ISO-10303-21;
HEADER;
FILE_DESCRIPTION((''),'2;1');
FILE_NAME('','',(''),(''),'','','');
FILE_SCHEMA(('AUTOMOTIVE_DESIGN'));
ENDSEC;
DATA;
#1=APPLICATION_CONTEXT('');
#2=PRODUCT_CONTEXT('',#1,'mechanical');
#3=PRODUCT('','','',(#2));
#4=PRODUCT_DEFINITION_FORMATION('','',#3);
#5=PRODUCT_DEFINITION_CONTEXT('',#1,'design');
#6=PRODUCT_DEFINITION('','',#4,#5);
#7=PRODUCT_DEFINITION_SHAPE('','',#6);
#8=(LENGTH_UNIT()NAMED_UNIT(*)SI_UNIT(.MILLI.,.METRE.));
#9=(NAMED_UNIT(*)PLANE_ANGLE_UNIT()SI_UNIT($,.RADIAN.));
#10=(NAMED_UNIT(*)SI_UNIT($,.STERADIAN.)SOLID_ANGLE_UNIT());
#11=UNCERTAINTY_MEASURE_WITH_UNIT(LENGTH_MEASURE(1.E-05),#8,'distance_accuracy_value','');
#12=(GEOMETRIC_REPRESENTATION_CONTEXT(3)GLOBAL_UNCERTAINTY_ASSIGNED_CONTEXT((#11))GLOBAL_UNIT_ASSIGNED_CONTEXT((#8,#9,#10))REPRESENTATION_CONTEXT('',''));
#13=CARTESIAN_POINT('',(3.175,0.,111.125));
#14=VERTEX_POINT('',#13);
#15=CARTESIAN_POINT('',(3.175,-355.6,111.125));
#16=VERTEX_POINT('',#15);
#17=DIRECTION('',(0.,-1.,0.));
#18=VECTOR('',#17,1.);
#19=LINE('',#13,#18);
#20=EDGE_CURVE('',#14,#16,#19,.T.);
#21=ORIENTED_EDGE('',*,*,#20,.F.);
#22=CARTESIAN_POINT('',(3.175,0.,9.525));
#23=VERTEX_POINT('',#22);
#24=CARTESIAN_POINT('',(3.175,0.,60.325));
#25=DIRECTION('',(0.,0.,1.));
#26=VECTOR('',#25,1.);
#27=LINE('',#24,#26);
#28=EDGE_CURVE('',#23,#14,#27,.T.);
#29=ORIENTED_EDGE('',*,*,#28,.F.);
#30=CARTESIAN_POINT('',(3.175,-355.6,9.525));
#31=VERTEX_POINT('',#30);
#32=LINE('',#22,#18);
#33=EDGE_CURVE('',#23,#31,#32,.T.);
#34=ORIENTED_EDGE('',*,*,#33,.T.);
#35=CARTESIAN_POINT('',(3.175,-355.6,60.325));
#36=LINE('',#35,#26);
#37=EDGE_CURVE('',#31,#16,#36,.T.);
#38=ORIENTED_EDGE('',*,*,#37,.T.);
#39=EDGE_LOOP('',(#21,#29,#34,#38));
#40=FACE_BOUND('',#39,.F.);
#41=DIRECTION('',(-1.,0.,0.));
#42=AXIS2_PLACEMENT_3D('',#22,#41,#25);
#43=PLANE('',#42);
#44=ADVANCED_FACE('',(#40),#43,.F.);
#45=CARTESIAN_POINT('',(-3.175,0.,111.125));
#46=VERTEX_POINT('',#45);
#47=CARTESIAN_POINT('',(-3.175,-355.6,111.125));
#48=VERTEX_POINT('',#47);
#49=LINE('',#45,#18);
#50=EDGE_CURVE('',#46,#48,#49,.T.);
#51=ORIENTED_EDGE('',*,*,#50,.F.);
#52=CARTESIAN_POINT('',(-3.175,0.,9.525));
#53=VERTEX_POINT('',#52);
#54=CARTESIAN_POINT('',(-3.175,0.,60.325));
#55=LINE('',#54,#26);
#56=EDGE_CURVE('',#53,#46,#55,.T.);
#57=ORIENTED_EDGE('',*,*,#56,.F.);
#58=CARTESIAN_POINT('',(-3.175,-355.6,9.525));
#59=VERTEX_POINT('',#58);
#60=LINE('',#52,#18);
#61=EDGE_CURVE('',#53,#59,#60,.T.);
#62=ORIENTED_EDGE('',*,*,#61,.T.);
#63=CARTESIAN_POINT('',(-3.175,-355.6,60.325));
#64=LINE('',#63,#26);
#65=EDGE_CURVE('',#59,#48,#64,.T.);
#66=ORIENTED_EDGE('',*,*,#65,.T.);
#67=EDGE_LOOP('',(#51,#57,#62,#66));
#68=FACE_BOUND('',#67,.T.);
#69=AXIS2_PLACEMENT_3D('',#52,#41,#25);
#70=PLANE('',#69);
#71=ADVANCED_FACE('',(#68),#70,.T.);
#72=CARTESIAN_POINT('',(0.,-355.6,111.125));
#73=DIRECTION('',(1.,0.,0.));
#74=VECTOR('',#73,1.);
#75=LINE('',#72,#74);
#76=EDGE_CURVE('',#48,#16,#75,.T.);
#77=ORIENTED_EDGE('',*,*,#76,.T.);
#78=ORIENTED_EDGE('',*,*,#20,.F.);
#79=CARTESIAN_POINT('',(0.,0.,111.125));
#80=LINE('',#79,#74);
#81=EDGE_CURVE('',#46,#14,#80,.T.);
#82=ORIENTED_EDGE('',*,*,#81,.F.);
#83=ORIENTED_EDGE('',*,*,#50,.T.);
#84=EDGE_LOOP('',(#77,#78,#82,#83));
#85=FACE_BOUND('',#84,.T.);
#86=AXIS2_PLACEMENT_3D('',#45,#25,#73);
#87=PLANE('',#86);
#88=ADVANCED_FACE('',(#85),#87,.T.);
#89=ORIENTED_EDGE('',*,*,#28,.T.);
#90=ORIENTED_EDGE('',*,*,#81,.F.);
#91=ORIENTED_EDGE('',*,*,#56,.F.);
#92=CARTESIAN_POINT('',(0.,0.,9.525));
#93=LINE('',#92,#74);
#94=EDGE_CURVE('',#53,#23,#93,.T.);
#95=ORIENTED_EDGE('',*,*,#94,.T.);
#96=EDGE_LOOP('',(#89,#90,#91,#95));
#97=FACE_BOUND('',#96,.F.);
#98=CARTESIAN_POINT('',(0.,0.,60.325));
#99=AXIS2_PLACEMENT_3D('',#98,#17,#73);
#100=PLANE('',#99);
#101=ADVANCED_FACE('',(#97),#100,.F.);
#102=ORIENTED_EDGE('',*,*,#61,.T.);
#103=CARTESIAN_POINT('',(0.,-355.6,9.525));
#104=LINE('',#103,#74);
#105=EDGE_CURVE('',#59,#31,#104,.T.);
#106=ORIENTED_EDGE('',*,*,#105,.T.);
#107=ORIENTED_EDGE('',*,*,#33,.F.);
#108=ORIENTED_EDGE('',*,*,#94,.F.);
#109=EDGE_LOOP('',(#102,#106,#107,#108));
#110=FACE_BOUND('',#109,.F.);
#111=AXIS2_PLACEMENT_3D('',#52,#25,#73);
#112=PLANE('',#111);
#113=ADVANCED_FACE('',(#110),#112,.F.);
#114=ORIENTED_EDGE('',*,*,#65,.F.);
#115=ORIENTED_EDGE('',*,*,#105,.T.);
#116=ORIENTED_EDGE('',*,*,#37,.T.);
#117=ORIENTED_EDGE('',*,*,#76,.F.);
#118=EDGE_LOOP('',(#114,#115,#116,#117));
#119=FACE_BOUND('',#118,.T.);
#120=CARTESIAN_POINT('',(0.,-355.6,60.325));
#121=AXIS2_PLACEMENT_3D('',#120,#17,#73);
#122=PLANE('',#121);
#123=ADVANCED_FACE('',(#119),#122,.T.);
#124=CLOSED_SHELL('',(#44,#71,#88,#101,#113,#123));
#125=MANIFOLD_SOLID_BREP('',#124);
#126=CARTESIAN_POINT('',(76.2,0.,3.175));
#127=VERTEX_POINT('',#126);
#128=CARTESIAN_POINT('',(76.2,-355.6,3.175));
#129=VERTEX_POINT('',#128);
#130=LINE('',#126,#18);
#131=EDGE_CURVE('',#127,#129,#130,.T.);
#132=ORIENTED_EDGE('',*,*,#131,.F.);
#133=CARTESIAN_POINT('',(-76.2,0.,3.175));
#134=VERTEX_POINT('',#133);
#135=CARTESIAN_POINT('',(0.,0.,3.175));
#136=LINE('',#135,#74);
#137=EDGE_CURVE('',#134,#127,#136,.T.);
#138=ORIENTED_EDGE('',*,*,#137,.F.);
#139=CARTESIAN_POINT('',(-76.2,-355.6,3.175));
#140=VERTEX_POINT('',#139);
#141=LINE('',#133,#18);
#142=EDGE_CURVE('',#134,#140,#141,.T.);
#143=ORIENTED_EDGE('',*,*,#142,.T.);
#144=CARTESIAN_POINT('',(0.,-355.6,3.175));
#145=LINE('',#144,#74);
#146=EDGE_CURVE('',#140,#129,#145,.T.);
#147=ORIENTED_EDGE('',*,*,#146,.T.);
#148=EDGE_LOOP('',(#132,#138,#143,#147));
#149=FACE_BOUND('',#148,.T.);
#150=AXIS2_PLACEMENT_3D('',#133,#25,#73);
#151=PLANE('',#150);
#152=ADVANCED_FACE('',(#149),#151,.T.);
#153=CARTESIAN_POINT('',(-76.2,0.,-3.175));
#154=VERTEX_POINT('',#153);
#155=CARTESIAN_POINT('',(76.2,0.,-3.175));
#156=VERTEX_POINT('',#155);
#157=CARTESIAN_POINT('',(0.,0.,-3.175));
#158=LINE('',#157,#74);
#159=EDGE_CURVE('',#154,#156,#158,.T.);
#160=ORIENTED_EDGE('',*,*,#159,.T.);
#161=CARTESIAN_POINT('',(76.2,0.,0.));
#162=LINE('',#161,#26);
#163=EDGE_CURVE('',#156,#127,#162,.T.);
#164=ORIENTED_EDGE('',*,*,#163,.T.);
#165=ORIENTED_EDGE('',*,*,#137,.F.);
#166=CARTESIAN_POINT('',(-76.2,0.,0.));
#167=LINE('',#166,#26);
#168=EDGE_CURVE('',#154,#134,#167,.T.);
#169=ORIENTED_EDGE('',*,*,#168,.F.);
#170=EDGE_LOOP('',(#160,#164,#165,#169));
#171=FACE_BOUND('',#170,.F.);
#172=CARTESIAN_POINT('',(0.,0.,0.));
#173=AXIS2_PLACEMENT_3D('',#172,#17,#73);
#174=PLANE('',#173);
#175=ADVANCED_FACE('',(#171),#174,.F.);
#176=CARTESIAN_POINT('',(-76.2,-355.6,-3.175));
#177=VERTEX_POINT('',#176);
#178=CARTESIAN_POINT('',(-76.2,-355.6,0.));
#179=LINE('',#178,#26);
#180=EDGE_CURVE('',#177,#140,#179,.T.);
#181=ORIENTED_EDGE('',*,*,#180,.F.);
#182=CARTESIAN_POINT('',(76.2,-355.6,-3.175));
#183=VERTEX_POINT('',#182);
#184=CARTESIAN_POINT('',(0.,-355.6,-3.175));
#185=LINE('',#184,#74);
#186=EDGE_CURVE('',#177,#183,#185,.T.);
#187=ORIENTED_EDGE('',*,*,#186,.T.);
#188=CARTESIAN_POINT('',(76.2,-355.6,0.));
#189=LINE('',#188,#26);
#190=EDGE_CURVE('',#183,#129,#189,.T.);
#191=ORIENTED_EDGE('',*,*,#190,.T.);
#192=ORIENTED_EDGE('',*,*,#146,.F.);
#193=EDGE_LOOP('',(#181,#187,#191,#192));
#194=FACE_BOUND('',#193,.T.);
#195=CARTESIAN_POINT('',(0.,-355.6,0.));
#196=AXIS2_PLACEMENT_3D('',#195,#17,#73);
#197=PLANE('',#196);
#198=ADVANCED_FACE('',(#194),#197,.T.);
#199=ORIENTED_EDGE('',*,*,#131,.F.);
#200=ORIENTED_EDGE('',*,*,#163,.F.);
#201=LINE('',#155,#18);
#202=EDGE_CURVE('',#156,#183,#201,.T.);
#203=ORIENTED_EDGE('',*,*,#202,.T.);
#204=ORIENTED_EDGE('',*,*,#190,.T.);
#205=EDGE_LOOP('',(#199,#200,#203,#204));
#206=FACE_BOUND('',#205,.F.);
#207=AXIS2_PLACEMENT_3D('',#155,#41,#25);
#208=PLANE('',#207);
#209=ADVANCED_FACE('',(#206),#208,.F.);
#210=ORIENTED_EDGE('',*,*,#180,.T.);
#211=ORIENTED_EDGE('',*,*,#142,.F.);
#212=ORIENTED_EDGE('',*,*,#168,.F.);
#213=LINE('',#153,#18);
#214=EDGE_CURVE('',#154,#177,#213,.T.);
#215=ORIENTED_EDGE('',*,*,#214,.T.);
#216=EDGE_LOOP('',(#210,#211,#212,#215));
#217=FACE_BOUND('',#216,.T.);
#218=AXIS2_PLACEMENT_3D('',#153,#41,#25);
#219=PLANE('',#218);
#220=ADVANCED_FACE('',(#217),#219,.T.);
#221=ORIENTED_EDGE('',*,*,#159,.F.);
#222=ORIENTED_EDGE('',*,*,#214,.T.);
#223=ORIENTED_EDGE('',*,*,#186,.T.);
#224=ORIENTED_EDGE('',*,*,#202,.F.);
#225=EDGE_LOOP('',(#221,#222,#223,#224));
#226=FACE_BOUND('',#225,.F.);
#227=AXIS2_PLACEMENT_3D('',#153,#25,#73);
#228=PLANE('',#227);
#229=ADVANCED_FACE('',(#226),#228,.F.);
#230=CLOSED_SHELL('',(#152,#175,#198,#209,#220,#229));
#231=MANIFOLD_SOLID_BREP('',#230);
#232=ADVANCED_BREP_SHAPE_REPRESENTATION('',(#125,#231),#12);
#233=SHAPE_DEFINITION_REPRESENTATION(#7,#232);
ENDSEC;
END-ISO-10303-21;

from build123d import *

# Parameters (mm, degrees)
F0_W     = 152.4
F0_H     = 6.35
F1_DEPTH = 355.6
F2_W     = 6.35
F2_H     = 101.6
F3_DEPTH = 355.6


with BuildPart() as f1:
    # F0 (on Front) → F1 (new body)
    with BuildSketch(Plane.XZ):
        Rectangle(F0_W, F0_H)
    extrude(amount=F1_DEPTH)


with BuildPart() as f3:
    # F2 (on Front) → F3 (new body)
    with BuildSketch(Plane.XZ):
        with Locations((0, 60.325)):
            Rectangle(F2_W, F2_H)
    extrude(amount=F3_DEPTH)


solid = Compound([f1.part, f3.part])
